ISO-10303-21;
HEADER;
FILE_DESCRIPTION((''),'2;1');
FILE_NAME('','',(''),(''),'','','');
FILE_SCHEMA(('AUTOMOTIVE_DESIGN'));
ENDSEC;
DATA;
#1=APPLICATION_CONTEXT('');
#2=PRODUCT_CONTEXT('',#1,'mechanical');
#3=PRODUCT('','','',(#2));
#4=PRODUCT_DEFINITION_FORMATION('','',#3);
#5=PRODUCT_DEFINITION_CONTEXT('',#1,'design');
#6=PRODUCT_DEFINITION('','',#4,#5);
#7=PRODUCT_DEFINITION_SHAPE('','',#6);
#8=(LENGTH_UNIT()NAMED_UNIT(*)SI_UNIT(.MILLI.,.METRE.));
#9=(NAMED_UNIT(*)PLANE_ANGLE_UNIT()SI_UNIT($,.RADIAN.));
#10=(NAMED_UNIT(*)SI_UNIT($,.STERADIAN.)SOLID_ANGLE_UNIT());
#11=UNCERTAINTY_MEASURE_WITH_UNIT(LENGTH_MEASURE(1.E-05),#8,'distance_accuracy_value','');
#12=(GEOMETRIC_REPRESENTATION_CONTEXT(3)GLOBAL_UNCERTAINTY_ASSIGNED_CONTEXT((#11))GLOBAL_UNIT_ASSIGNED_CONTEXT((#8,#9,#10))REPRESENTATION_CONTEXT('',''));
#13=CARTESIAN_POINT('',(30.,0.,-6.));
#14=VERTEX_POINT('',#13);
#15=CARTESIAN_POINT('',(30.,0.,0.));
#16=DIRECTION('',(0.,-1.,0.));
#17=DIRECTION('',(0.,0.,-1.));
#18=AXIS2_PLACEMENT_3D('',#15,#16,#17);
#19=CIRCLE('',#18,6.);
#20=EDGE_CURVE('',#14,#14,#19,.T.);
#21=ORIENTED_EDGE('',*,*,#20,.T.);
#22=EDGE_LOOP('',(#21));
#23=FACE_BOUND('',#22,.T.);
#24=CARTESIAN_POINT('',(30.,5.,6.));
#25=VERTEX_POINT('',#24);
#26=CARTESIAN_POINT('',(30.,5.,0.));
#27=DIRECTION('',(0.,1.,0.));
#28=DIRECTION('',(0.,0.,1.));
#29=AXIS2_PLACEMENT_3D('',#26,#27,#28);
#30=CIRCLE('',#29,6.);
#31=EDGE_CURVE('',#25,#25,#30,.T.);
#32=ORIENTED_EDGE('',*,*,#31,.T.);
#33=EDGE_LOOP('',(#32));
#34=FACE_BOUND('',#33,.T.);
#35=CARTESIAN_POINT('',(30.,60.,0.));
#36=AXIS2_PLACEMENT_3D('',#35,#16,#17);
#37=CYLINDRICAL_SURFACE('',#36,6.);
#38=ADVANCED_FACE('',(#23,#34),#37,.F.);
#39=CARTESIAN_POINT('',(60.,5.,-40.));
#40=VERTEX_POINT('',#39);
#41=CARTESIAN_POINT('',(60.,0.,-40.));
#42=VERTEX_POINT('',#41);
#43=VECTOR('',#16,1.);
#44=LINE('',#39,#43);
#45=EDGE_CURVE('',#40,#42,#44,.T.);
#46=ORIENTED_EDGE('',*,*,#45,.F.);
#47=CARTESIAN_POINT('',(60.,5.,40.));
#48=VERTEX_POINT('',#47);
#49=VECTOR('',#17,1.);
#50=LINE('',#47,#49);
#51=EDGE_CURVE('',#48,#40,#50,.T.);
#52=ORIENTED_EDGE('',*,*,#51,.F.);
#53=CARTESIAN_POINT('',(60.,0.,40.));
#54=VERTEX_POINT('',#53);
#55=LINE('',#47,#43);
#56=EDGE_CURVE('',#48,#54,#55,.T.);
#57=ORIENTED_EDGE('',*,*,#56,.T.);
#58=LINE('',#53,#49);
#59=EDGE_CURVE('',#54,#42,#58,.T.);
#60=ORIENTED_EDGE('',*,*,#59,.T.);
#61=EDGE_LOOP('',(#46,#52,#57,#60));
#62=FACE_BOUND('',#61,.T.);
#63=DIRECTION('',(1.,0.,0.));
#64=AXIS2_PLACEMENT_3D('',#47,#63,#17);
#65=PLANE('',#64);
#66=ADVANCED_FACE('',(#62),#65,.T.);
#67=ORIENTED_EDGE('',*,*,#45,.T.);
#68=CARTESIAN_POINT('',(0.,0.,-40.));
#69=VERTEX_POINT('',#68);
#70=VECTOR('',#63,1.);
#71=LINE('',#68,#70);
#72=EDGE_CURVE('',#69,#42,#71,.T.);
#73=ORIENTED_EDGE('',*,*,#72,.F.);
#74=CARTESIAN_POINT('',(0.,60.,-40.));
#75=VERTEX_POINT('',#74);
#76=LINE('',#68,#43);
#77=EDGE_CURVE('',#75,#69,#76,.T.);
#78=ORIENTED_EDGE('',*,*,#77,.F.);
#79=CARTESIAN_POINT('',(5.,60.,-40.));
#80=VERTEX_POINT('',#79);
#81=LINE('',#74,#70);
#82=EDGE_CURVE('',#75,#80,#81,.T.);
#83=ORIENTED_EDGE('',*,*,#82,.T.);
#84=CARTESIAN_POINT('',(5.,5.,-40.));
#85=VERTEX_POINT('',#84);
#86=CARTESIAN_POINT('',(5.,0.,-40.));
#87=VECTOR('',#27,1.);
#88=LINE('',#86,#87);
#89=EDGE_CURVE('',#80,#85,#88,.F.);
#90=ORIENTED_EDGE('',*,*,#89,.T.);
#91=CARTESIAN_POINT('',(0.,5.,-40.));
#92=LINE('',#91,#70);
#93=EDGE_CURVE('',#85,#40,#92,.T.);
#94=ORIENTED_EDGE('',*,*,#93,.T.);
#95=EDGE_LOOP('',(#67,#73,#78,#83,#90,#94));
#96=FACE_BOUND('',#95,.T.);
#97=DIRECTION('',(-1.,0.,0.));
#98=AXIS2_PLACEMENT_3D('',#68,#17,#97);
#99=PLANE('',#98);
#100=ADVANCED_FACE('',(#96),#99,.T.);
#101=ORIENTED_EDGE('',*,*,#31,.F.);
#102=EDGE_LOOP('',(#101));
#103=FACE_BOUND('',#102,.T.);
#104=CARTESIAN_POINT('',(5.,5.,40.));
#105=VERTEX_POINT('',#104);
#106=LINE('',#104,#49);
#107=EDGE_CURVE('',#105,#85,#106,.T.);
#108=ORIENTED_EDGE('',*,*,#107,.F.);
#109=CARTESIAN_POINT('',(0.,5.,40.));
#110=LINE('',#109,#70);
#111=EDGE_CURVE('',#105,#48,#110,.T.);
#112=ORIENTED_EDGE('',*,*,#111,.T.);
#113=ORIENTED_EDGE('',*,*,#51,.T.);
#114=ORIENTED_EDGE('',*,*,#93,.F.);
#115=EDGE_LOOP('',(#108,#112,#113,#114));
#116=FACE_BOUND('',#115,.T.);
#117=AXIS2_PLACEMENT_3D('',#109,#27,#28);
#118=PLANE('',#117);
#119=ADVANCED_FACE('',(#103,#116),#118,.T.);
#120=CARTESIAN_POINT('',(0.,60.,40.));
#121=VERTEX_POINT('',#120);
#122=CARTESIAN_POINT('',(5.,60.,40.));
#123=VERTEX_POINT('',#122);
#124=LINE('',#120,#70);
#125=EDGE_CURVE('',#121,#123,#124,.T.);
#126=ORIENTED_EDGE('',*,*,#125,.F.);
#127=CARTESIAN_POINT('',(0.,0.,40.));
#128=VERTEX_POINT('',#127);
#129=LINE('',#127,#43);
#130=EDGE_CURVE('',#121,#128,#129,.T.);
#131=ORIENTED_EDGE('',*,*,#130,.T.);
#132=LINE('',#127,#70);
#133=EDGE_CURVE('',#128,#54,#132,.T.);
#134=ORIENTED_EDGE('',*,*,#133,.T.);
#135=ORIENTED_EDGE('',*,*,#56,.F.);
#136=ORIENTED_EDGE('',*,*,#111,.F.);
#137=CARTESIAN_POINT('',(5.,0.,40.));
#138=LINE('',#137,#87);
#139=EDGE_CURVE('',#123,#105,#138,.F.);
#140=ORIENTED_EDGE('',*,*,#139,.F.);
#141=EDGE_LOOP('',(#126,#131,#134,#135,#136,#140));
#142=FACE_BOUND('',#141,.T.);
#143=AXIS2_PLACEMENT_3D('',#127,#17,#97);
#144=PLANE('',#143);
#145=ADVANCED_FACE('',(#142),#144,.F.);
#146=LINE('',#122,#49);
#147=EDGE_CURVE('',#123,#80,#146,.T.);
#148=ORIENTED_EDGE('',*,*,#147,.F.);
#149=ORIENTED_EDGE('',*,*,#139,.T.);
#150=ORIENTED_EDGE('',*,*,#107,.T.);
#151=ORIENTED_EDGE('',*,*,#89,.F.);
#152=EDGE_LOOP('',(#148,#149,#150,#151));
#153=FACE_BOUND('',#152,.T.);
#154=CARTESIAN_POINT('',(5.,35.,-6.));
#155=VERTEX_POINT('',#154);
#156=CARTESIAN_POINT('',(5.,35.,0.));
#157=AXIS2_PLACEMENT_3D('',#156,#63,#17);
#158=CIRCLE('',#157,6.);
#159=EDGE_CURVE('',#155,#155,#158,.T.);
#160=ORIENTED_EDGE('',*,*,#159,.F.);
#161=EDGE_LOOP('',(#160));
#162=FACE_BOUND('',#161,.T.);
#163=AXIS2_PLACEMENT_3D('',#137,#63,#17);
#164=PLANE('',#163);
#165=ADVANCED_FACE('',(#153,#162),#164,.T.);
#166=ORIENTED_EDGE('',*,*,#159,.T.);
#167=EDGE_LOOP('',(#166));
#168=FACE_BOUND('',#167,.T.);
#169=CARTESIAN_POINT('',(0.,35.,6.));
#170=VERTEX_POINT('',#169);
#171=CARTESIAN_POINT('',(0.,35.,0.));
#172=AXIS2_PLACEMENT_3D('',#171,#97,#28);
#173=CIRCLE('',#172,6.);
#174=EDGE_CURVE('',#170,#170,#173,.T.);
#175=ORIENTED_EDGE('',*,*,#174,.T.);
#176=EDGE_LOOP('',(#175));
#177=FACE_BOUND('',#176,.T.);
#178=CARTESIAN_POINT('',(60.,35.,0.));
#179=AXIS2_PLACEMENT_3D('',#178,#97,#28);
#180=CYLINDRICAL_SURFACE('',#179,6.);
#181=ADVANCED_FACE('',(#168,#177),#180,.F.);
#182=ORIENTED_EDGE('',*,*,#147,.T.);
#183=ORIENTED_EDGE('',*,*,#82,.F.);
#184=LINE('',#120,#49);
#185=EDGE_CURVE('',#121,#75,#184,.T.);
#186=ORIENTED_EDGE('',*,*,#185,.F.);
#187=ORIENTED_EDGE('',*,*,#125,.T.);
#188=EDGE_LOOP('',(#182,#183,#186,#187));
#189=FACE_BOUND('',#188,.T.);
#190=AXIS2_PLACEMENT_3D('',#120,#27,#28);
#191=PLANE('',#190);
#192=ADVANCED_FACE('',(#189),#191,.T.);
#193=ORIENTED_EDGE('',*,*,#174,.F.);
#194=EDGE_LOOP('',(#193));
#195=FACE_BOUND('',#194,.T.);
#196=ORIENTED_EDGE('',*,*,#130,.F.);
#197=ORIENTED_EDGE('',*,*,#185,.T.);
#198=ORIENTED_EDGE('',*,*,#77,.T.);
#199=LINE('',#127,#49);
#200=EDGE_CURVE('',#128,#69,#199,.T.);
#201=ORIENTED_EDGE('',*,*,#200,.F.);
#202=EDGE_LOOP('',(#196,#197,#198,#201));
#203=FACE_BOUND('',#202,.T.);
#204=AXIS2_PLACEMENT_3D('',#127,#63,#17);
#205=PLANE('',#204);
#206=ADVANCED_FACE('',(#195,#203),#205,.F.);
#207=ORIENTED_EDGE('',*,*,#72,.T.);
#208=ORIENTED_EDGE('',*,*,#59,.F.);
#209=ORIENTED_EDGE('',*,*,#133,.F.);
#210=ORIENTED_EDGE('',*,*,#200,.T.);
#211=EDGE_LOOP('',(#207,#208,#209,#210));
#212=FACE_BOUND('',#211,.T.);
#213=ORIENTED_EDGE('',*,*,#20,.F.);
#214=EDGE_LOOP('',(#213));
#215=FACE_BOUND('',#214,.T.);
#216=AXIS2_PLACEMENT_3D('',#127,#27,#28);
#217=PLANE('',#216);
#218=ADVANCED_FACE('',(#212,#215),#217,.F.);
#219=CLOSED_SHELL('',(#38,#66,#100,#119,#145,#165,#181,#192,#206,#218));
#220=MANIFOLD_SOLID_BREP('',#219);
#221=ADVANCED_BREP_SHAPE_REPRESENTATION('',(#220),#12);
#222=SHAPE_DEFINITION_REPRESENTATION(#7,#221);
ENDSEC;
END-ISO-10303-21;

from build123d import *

# Parameters (mm, degrees)
EXTRUDE_THIN1_DEPTH = 40
SKETCH2_R           = 6
CUT_EXTRUDE1_DEPTH  = 61
SKETCH3_R           = 6
CUT_EXTRUDE2_DEPTH  = 61


with BuildPart() as part:
    # Sketch1 → Extrude-Thin1 (new body, symmetric)
    with BuildSketch(Plane.XY):
        Polygon((60, 0), (0, 0), (0, 60), (5, 60), (5, 5), (60, 5), align=None)
    extrude(amount=EXTRUDE_THIN1_DEPTH, both=True)

    # Sketch2 → Cut-Extrude1 (cut, through all)
    with BuildSketch(Plane.XZ):
        with Locations((30, 0)):
            Circle(SKETCH2_R)
    extrude(amount=-CUT_EXTRUDE1_DEPTH, mode=Mode.SUBTRACT)

    # Sketch3 → Cut-Extrude2 (cut, through all)
    with BuildSketch(Plane(origin=(0, 0, 0), x_dir=(0, -1, 0), z_dir=(-1, 0, 0))):
        with Locations((-35, 0)):
            Circle(SKETCH3_R)
    extrude(amount=-CUT_EXTRUDE2_DEPTH, mode=Mode.SUBTRACT)


solid = part.part
